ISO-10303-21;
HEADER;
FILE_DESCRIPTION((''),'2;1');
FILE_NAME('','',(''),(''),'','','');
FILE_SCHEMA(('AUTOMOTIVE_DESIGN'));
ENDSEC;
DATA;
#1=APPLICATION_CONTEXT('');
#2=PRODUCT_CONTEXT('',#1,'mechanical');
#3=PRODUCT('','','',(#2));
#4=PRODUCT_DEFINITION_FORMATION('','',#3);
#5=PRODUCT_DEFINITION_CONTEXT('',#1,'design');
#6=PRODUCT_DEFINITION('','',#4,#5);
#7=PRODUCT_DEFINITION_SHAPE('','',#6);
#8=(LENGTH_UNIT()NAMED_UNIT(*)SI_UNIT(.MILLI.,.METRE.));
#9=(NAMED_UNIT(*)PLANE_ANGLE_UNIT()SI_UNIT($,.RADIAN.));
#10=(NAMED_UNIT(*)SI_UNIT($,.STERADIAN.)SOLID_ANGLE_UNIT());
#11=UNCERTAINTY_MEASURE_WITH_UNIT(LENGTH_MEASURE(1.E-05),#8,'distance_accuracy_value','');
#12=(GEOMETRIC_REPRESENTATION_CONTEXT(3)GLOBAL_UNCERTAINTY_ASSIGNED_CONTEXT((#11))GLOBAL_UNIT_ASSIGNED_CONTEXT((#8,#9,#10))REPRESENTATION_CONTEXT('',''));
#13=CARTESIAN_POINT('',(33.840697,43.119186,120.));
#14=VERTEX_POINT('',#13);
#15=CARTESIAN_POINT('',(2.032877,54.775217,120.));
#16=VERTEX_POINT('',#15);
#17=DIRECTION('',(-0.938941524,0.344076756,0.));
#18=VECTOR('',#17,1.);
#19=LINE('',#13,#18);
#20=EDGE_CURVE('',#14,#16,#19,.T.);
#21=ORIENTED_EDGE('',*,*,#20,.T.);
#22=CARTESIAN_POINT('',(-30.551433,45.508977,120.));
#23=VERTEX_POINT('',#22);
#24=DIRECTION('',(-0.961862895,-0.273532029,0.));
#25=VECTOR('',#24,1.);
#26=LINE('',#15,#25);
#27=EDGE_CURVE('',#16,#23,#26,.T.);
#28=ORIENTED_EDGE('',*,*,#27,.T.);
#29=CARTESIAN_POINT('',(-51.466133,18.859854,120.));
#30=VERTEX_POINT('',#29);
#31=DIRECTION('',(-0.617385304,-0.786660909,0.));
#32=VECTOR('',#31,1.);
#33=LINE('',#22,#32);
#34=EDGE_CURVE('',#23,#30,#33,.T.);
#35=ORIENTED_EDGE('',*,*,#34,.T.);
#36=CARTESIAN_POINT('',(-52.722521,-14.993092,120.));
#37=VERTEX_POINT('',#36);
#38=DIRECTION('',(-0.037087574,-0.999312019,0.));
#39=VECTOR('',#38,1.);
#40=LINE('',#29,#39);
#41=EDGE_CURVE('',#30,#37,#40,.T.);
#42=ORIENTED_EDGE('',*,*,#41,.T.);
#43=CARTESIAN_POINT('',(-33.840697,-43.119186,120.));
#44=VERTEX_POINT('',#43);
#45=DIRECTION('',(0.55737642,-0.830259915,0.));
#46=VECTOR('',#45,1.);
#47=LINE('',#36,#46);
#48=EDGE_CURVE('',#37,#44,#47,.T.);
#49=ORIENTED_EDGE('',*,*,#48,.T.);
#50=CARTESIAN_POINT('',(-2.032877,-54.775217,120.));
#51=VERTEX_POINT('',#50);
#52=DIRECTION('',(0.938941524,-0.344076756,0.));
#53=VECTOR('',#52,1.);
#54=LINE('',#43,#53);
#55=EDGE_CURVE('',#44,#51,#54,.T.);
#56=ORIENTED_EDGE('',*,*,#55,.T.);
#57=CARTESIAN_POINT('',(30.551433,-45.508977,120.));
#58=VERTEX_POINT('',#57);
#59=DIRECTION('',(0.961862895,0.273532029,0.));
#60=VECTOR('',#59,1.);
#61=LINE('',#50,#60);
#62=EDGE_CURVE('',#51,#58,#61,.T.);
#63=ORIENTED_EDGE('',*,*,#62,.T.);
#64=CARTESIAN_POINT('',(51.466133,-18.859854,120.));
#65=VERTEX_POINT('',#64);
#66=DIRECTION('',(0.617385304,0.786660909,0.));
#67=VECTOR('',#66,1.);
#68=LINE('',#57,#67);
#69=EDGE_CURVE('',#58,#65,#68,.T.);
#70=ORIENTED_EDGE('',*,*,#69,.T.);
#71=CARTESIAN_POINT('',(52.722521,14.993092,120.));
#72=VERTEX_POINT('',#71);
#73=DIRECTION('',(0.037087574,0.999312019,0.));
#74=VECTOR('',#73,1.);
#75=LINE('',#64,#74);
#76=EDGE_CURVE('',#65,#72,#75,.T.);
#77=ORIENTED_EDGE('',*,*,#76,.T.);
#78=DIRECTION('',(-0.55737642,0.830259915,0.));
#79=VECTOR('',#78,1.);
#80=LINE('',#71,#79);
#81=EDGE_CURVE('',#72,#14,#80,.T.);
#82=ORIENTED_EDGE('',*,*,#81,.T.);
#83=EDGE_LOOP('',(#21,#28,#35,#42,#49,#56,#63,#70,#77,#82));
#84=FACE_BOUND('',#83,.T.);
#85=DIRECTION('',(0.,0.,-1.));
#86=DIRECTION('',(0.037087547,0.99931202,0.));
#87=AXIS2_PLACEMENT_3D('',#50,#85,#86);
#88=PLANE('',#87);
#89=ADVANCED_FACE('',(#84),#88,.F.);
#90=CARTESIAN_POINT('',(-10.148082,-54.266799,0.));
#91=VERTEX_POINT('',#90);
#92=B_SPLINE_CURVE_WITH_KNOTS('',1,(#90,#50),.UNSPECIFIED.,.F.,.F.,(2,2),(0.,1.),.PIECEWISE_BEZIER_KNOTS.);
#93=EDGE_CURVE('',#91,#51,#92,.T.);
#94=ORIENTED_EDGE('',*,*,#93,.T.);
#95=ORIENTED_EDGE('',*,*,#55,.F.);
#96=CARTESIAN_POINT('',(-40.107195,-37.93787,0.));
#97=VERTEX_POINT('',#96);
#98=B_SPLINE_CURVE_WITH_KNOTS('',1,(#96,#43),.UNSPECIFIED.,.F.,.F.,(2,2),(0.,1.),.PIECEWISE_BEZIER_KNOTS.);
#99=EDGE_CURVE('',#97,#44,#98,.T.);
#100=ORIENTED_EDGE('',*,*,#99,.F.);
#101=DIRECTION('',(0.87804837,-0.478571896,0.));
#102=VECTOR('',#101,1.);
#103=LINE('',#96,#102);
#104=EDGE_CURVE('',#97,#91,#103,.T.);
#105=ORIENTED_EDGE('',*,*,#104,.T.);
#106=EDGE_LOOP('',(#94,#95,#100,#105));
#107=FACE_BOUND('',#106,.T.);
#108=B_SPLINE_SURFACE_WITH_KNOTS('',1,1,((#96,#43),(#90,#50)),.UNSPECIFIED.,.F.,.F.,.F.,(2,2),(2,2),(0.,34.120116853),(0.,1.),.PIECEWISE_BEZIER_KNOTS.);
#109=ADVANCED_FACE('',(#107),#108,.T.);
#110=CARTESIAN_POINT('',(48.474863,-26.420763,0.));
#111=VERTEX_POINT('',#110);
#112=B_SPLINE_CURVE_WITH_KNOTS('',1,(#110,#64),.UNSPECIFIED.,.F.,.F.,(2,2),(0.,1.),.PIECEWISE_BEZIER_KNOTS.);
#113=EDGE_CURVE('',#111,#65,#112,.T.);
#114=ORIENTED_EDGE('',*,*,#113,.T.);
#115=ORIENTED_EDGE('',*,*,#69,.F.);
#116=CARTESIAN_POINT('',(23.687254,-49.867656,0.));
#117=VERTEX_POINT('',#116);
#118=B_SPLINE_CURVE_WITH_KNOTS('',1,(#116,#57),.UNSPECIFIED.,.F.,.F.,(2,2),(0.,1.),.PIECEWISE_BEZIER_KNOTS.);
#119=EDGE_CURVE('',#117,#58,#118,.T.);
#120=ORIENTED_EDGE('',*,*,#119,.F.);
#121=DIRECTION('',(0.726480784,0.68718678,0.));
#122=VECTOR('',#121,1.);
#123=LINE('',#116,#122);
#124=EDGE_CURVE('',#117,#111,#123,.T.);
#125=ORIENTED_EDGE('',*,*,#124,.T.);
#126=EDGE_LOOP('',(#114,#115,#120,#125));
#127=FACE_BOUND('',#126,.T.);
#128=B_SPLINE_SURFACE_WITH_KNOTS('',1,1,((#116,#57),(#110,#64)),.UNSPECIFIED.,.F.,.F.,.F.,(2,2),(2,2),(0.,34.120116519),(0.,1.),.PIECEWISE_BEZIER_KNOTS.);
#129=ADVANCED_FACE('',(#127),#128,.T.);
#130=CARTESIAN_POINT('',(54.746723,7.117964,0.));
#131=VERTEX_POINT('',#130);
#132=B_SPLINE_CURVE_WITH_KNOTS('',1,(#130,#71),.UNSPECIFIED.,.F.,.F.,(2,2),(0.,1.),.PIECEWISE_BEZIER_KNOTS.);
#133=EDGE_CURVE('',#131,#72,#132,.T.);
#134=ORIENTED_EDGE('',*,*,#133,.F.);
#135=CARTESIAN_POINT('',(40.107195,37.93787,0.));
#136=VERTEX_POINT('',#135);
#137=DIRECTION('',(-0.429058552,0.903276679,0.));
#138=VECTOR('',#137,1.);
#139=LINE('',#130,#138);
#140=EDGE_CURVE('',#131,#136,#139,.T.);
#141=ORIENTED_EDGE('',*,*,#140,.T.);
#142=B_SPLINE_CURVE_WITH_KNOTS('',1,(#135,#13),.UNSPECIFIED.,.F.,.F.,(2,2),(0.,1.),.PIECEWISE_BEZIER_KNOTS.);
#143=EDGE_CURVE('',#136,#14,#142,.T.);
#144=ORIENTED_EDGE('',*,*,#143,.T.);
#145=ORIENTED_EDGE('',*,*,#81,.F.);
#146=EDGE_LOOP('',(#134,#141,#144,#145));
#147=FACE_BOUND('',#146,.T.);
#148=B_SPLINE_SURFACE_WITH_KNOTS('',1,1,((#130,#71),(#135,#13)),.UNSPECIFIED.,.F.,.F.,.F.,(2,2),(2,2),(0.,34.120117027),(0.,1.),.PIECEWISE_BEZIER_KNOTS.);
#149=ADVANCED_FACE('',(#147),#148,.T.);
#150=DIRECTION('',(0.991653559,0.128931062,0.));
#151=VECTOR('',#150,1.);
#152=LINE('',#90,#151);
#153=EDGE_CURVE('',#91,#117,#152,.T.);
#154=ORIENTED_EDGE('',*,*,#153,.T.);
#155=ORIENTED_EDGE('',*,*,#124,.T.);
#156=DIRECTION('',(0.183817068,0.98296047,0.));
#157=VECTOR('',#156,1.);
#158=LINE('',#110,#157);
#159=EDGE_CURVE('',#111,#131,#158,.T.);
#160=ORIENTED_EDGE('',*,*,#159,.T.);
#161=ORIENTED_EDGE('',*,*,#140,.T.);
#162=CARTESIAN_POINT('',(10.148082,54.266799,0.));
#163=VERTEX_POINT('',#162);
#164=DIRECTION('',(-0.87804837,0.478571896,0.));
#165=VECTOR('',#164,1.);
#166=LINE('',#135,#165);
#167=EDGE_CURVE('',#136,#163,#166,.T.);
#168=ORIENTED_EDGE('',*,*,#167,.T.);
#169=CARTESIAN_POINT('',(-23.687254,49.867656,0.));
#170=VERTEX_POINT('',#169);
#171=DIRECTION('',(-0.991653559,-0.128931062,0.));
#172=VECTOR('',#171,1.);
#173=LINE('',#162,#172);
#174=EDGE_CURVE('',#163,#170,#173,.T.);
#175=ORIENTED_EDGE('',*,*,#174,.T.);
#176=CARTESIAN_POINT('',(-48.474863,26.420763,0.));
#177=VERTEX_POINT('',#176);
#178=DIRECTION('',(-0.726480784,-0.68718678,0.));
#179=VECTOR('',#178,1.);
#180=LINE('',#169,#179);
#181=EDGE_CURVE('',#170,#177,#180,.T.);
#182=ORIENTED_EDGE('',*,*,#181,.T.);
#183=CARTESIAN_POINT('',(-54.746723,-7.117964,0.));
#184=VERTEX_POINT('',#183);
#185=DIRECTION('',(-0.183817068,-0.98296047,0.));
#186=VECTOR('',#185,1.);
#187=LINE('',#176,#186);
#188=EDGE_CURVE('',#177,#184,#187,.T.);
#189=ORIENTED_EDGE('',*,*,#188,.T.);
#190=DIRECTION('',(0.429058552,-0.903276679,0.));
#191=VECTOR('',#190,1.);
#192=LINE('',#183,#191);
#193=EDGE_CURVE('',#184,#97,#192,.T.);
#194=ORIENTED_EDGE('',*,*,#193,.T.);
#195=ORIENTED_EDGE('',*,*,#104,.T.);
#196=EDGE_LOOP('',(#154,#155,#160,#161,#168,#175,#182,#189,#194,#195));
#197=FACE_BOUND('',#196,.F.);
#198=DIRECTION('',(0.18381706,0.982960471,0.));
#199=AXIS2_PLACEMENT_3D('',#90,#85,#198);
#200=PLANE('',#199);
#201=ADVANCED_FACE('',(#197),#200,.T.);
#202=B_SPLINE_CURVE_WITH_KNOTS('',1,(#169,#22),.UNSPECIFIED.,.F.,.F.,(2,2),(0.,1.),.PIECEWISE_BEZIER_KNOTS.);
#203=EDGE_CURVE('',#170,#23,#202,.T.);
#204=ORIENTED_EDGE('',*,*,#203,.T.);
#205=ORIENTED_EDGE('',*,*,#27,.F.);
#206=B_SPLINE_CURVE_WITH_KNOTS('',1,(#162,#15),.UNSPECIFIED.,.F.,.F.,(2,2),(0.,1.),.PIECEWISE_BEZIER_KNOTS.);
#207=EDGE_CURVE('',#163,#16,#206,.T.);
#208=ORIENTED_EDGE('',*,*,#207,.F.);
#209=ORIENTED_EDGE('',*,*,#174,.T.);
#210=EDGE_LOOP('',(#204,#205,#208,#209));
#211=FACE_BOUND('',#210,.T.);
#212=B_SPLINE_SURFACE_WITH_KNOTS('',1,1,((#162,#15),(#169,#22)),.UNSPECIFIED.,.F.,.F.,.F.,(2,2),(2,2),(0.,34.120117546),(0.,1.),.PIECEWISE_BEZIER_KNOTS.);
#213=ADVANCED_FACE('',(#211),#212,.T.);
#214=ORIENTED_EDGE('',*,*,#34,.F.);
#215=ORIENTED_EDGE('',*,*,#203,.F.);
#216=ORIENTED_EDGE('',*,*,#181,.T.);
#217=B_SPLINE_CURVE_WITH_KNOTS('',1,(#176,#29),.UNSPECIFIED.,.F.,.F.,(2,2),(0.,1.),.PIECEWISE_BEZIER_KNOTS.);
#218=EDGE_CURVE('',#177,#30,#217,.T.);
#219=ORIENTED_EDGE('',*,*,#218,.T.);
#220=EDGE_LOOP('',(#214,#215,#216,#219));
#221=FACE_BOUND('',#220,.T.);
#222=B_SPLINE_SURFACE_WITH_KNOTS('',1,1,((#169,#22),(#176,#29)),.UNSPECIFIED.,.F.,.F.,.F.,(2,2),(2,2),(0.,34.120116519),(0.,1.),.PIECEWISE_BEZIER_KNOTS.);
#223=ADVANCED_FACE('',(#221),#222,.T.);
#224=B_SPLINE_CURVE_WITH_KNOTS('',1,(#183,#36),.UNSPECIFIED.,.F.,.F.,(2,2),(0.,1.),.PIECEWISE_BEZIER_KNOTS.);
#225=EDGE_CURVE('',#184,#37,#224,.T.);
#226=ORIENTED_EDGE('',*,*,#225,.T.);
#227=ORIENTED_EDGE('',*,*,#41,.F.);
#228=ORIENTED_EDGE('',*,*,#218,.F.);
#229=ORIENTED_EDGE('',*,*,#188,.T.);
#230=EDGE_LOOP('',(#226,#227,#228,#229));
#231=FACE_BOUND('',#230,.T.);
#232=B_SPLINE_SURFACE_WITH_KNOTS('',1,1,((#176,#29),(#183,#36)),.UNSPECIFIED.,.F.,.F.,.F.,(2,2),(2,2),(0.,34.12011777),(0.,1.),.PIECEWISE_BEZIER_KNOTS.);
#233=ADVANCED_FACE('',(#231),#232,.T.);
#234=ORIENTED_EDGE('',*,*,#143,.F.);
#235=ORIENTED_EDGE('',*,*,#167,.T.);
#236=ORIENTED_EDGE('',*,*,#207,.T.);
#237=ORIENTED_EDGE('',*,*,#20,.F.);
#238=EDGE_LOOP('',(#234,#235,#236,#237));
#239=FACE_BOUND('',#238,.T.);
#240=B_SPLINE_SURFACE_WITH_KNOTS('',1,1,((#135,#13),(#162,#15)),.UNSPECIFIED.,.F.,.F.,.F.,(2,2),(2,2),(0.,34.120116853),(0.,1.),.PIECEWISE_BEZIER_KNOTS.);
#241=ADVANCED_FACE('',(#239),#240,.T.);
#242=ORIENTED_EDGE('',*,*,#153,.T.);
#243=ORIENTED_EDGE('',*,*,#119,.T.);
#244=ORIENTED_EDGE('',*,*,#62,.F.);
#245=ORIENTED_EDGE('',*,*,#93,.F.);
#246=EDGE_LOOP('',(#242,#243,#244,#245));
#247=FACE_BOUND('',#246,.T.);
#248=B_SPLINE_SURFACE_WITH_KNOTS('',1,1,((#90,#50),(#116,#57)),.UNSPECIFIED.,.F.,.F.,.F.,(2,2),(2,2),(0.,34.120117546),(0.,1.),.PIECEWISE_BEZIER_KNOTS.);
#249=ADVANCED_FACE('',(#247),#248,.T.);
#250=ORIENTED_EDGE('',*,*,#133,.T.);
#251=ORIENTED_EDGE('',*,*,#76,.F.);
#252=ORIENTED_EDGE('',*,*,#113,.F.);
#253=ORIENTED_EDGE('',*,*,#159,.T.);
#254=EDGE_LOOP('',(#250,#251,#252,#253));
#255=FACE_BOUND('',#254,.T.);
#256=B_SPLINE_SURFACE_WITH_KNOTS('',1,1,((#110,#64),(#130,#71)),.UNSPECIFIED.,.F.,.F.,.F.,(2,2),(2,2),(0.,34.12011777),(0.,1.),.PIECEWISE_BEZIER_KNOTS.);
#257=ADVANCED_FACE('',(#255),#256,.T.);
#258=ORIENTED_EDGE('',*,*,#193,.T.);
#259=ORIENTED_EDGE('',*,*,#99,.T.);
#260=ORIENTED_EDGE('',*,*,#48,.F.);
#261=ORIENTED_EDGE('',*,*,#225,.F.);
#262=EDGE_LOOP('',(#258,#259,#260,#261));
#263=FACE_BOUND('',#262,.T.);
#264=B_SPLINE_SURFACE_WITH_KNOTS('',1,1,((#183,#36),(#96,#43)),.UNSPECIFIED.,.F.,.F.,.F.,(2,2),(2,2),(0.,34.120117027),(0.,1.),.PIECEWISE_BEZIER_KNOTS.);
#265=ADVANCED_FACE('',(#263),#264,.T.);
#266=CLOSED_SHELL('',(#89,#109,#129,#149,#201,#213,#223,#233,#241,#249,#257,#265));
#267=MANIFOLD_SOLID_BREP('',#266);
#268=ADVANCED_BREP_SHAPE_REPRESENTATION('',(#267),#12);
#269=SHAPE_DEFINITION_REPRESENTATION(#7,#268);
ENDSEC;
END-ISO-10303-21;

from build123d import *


with BuildPart() as f4:
    # F0 (on Top) → F4 section 0
    with BuildSketch(Plane.XY):
        Polygon((-10.148082, -54.266799), (23.687254, -49.867656), (48.474863, -26.420763), (54.746723, 7.117964), (40.107195, 37.93787), (10.148082, 54.266799), (-23.687254, 49.867656), (-48.474863, 26.420763), (-54.746723, -7.117964), (-40.107195, -37.93787), align=None)
    # F3 (on offset) → F4 section 1
    with BuildSketch(Plane.XY.offset(120)):
        Polygon((-2.032877, -54.775217), (30.551433, -45.508977), (51.466133, -18.859854), (52.722521, 14.993092), (33.840697, 43.119186), (2.032877, 54.775217), (-30.551433, 45.508977), (-51.466133, 18.859854), (-52.722521, -14.993092), (-33.840697, -43.119186), align=None)
    loft()


solid = f4.part
